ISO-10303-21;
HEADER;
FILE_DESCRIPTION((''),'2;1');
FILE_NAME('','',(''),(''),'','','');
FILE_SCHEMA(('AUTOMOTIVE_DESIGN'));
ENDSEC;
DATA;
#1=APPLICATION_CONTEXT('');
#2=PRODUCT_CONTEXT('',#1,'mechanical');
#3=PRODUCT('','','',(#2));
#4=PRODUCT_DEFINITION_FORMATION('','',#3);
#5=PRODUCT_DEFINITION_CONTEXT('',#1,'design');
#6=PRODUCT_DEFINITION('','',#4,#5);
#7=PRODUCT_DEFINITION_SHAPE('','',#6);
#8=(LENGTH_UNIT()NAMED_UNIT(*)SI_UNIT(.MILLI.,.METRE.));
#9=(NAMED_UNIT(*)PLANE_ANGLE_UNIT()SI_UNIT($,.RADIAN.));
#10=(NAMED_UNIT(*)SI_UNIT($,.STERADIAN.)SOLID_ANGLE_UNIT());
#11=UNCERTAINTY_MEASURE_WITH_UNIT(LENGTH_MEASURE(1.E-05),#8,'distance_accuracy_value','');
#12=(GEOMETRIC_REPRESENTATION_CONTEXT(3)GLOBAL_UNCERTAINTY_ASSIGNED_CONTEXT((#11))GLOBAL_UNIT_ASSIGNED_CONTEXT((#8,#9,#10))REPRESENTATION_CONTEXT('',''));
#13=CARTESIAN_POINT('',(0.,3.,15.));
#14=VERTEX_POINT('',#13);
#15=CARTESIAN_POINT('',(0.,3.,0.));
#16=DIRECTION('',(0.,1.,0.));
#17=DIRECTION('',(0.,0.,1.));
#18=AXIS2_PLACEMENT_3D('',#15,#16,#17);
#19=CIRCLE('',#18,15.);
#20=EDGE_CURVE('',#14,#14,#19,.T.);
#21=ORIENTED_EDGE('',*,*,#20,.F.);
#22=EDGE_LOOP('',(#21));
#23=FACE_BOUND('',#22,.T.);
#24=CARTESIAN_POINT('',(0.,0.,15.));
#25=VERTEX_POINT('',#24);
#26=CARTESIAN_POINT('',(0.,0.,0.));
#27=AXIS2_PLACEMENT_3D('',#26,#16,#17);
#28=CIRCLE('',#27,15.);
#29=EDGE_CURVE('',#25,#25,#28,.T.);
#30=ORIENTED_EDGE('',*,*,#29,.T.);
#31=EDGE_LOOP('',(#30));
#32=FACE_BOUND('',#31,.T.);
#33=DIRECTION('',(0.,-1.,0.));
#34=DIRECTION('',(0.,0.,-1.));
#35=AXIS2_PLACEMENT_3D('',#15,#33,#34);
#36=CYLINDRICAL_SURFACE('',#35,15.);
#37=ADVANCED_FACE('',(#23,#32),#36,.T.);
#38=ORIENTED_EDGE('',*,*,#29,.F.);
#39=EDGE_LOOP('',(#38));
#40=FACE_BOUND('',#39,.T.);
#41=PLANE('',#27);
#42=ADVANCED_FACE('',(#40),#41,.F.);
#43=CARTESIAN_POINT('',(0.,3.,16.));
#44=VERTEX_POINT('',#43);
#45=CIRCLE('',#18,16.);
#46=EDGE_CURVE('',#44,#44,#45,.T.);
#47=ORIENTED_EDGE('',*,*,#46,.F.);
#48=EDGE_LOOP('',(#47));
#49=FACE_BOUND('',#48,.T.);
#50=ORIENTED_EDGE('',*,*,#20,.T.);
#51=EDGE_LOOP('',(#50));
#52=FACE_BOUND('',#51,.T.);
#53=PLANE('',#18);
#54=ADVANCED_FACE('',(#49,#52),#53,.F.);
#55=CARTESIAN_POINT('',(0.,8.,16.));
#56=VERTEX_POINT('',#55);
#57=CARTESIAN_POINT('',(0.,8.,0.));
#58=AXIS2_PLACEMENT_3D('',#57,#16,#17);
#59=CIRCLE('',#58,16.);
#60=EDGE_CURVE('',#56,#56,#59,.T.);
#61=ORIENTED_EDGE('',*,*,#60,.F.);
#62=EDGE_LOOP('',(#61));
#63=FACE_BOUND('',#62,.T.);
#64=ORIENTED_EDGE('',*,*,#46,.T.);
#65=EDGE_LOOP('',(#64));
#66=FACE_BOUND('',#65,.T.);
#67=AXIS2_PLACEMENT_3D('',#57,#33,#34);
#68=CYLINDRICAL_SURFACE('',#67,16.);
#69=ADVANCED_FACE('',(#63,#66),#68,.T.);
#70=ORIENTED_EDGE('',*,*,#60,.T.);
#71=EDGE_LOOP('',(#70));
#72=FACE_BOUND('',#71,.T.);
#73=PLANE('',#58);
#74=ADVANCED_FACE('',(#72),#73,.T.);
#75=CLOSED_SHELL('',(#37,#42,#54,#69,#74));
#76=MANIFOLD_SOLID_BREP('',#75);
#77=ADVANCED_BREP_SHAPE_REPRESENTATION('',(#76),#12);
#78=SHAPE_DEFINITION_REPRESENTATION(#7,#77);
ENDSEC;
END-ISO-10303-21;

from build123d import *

# Parameters (mm, degrees)
SKETCH1_R           = 15
BOSS_EXTRUDE1_DEPTH = 3
SKETCH2_R           = 16
BOSS_EXTRUDE2_DEPTH = 5


with BuildPart() as part:
    # Sketch1 → Boss-Extrude1 (new body)
    with BuildSketch(Plane(origin=(0, 0, 0), x_dir=(1, 0, 0), z_dir=(0, 1, 0))):
        Circle(SKETCH1_R)
    extrude(amount=BOSS_EXTRUDE1_DEPTH)

    # Sketch2 → Boss-Extrude2 (add)
    with BuildSketch(Plane(origin=(0, 3, 0), x_dir=(1, 0, 0), z_dir=(0, 1, 0))):
        Circle(SKETCH2_R)
    extrude(amount=BOSS_EXTRUDE2_DEPTH)


solid = part.part
